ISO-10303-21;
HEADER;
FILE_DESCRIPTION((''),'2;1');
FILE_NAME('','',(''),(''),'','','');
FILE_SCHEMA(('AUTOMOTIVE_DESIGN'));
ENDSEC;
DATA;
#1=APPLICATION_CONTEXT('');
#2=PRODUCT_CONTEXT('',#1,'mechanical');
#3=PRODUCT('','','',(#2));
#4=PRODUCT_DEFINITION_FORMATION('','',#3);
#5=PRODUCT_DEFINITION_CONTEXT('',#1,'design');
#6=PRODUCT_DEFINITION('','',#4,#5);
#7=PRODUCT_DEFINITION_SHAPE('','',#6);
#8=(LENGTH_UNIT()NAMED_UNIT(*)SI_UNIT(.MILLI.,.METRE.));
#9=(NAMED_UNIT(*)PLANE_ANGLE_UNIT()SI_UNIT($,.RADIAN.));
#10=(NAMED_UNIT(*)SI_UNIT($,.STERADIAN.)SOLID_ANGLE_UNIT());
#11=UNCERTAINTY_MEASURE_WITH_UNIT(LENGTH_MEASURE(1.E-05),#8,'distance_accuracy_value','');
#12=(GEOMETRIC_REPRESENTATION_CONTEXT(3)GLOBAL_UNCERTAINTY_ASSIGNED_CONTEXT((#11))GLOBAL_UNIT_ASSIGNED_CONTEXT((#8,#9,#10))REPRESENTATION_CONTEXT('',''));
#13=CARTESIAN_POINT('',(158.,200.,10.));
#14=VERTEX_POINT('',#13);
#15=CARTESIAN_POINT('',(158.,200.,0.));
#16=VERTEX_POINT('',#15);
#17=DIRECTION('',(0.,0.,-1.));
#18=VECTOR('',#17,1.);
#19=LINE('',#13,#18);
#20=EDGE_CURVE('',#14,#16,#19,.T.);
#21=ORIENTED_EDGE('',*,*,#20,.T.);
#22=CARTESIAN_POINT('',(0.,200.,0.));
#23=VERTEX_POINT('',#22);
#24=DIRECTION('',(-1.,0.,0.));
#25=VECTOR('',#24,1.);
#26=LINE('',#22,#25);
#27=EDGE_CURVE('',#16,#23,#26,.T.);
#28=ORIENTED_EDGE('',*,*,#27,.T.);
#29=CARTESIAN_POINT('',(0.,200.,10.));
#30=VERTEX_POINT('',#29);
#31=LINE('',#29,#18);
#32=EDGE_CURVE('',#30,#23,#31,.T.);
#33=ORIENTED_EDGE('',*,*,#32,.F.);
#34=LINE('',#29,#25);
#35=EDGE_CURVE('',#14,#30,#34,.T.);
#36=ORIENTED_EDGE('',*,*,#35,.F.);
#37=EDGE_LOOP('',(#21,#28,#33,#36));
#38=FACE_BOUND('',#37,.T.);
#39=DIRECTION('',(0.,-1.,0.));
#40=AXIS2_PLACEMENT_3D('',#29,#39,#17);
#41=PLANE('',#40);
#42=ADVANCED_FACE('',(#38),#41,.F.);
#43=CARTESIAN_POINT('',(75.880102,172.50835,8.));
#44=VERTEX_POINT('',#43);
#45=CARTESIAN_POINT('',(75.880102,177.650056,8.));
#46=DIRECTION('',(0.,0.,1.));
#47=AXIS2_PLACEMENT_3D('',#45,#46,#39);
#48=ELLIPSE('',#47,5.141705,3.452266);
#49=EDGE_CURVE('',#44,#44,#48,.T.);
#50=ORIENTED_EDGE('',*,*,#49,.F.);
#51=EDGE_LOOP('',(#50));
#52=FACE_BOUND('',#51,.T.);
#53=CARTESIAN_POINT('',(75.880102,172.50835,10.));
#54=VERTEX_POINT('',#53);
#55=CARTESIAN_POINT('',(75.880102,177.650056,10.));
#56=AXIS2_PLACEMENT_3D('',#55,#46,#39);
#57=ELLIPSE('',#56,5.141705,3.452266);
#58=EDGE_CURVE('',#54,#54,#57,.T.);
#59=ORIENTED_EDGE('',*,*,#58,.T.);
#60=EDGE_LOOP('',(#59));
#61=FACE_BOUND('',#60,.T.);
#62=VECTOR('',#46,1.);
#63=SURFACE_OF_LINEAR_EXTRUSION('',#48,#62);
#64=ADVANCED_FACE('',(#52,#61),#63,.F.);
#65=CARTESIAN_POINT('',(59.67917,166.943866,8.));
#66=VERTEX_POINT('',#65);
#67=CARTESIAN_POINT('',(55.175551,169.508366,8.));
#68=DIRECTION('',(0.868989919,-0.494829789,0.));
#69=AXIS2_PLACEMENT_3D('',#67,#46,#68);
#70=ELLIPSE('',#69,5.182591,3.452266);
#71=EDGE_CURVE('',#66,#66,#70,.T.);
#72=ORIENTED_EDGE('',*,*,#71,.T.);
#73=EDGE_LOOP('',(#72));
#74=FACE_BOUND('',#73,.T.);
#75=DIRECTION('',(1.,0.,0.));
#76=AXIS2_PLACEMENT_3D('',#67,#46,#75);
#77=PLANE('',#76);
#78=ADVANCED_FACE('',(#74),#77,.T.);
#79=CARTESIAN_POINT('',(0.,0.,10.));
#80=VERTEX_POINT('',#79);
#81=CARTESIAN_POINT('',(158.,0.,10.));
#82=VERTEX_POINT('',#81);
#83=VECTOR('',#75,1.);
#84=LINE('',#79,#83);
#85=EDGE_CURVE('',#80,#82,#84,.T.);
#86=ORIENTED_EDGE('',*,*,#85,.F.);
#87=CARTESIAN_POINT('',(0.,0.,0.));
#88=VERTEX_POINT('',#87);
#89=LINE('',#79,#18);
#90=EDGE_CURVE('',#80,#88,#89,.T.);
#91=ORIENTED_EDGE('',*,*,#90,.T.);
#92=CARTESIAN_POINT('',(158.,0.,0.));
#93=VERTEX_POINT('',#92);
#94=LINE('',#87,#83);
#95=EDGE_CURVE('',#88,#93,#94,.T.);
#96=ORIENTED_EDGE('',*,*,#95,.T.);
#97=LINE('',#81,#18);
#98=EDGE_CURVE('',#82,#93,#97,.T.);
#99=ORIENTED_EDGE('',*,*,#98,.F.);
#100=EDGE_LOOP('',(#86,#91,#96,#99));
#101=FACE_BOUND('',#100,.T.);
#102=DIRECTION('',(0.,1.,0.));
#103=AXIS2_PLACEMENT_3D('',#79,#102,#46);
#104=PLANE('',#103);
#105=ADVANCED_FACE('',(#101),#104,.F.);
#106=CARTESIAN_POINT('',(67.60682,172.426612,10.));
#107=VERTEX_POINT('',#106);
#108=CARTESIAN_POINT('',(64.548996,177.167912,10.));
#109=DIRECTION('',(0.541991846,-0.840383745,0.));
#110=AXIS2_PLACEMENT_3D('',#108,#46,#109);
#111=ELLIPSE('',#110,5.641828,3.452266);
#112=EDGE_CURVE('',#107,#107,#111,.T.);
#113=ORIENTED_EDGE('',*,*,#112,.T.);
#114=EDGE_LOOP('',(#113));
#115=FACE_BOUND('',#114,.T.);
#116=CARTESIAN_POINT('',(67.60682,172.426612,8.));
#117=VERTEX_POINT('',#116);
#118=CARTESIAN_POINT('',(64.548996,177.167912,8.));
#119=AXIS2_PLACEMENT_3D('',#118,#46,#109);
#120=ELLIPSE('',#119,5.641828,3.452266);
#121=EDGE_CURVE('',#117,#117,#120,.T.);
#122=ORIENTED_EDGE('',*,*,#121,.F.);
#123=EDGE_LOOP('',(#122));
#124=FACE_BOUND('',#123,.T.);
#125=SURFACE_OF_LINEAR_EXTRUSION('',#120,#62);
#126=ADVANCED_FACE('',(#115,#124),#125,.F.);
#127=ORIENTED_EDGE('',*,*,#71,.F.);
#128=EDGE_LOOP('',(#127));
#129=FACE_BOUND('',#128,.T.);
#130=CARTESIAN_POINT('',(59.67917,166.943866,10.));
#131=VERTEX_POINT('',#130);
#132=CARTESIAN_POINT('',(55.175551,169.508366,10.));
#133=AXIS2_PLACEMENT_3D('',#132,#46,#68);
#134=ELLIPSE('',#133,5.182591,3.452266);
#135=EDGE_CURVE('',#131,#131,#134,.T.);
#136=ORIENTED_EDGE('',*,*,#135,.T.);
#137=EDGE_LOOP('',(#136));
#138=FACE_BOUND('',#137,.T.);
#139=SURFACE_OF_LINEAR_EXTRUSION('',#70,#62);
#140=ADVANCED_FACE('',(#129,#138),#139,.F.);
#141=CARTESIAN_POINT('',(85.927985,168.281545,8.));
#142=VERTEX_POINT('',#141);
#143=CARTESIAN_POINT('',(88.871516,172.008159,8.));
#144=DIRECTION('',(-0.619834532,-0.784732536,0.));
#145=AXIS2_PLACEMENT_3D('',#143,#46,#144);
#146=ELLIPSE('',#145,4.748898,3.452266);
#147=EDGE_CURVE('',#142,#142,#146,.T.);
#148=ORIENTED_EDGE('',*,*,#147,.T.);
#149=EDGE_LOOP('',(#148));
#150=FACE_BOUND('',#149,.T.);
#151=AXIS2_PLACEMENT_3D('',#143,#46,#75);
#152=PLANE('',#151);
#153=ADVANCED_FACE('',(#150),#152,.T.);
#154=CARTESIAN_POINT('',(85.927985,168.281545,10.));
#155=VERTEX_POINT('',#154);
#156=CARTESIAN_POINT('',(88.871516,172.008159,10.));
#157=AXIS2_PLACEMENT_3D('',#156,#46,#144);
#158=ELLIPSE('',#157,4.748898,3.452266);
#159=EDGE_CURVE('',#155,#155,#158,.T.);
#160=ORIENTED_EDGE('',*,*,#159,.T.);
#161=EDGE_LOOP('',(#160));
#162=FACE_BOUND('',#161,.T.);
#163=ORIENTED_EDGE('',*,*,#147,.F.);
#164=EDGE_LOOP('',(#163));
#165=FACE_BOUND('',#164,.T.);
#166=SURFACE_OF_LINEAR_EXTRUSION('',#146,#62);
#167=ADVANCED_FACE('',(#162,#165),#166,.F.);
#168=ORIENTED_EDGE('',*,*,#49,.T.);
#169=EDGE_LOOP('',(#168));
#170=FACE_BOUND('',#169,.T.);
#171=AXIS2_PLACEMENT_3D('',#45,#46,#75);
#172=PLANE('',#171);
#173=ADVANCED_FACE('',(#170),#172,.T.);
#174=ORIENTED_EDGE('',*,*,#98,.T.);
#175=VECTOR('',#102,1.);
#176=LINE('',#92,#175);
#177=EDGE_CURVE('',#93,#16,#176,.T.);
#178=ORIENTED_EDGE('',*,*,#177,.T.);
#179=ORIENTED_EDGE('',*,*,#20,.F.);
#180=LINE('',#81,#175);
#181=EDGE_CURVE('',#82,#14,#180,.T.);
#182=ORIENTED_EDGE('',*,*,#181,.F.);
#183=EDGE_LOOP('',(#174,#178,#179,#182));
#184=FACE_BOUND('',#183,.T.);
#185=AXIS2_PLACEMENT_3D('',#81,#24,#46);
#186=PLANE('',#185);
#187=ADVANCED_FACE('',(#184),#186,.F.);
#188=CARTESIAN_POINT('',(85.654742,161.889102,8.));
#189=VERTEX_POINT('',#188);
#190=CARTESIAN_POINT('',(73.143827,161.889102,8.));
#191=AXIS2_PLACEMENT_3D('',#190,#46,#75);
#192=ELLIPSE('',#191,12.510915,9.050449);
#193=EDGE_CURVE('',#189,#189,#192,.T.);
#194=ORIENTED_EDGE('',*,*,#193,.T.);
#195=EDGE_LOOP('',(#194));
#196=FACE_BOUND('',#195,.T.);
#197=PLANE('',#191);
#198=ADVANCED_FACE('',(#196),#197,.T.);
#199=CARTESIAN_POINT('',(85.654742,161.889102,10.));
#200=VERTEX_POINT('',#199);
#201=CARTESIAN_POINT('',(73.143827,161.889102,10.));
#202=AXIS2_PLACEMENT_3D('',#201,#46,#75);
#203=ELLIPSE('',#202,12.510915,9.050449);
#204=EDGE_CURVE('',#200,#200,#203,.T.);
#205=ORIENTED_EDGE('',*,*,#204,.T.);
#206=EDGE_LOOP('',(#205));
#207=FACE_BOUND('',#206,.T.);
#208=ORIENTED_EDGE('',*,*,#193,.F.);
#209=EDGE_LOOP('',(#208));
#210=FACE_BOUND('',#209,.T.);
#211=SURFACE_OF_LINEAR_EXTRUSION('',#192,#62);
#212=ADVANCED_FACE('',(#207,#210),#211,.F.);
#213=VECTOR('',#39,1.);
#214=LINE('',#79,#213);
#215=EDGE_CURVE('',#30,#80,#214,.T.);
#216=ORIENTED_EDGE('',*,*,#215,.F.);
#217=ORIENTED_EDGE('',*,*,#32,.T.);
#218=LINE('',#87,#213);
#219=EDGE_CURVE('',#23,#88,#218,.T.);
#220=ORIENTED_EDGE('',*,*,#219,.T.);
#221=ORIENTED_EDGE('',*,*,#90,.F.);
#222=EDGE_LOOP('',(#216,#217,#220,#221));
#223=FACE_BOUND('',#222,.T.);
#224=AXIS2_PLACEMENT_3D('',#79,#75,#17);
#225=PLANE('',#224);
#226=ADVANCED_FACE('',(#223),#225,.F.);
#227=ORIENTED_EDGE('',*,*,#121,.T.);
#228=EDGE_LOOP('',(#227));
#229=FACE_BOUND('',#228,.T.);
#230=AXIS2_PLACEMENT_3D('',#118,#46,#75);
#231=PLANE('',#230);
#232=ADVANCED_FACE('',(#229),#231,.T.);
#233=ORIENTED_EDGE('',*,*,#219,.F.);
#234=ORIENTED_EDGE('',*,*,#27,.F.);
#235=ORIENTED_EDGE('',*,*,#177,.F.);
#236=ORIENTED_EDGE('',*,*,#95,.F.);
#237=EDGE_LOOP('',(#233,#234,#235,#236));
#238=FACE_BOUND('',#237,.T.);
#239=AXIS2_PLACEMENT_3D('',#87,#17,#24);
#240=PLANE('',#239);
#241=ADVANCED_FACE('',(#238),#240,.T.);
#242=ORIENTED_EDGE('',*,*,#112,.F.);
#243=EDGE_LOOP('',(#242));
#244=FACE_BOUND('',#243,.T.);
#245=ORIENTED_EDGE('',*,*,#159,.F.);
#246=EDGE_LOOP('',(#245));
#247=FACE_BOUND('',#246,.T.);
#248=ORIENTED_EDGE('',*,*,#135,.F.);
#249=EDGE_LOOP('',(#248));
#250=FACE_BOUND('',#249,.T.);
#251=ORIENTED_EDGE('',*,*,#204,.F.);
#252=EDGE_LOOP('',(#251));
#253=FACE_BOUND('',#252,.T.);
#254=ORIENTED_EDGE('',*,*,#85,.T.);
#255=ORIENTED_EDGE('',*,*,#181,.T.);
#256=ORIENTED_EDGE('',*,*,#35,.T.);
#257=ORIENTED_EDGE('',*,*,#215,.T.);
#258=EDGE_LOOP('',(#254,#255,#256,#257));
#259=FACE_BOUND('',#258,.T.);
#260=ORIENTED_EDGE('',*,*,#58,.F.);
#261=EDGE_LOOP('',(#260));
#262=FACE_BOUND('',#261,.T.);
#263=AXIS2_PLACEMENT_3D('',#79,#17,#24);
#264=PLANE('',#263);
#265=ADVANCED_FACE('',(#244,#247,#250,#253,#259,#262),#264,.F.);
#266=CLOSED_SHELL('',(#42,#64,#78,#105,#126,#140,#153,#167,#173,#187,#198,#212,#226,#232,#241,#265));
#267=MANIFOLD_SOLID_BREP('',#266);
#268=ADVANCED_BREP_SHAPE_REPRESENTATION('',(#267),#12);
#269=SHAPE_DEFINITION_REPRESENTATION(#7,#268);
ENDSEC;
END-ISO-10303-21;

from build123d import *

# Parameters (mm, degrees)
SKETCH_1_W          = 158
SKETCH_1_H          = 200
EXTRUDE_1_DEPTH     = 10
SKETCH_2_RX         = 12.510915337
SKETCH_2_RY         = 9.050449393
SKETCH_2_RX_2       = 5.182590636
SKETCH_2_RY_2       = 3.452265776
SKETCH_2_RX_3       = 5.641827611
SKETCH_2_RX_4       = 5.141705424
SKETCH_2_RX_5       = 4.748897539
CUT_EXTRUDE_1_DEPTH = 2


with BuildPart() as part:
    # 草圖1 → 填料-伸長1 (new body)
    with BuildSketch(Plane.XY):
        with Locations((79, 100)):
            Rectangle(SKETCH_1_W, SKETCH_1_H)
    extrude(amount=EXTRUDE_1_DEPTH)

    # 草圖2 → 除料-伸長1 (cut)
    with BuildSketch(Plane.XY.offset(10)):
        with Locations((73.143826864, 161.889102465)):
            Ellipse(SKETCH_2_RX, SKETCH_2_RY)
        with Locations(Location((55.175550619, 169.508366321), (0, 0, -29.658527045))):
            Ellipse(SKETCH_2_RX_2, SKETCH_2_RY_2)
        with Locations(Location((64.548995649, 177.167911946), (0, 0, -57.180664348))):
            Ellipse(SKETCH_2_RX_3, SKETCH_2_RY_2)
        with Locations(Location((75.880101936, 177.650055904), (0, 0, 90))):
            Ellipse(SKETCH_2_RX_4, SKETCH_2_RY_2)
        with Locations(Location((88.871515974, 172.008159222), (0, 0, -128.304052106))):
            Ellipse(SKETCH_2_RX_5, SKETCH_2_RY_2)
    extrude(amount=-CUT_EXTRUDE_1_DEPTH, mode=Mode.SUBTRACT)


solid = part.part
